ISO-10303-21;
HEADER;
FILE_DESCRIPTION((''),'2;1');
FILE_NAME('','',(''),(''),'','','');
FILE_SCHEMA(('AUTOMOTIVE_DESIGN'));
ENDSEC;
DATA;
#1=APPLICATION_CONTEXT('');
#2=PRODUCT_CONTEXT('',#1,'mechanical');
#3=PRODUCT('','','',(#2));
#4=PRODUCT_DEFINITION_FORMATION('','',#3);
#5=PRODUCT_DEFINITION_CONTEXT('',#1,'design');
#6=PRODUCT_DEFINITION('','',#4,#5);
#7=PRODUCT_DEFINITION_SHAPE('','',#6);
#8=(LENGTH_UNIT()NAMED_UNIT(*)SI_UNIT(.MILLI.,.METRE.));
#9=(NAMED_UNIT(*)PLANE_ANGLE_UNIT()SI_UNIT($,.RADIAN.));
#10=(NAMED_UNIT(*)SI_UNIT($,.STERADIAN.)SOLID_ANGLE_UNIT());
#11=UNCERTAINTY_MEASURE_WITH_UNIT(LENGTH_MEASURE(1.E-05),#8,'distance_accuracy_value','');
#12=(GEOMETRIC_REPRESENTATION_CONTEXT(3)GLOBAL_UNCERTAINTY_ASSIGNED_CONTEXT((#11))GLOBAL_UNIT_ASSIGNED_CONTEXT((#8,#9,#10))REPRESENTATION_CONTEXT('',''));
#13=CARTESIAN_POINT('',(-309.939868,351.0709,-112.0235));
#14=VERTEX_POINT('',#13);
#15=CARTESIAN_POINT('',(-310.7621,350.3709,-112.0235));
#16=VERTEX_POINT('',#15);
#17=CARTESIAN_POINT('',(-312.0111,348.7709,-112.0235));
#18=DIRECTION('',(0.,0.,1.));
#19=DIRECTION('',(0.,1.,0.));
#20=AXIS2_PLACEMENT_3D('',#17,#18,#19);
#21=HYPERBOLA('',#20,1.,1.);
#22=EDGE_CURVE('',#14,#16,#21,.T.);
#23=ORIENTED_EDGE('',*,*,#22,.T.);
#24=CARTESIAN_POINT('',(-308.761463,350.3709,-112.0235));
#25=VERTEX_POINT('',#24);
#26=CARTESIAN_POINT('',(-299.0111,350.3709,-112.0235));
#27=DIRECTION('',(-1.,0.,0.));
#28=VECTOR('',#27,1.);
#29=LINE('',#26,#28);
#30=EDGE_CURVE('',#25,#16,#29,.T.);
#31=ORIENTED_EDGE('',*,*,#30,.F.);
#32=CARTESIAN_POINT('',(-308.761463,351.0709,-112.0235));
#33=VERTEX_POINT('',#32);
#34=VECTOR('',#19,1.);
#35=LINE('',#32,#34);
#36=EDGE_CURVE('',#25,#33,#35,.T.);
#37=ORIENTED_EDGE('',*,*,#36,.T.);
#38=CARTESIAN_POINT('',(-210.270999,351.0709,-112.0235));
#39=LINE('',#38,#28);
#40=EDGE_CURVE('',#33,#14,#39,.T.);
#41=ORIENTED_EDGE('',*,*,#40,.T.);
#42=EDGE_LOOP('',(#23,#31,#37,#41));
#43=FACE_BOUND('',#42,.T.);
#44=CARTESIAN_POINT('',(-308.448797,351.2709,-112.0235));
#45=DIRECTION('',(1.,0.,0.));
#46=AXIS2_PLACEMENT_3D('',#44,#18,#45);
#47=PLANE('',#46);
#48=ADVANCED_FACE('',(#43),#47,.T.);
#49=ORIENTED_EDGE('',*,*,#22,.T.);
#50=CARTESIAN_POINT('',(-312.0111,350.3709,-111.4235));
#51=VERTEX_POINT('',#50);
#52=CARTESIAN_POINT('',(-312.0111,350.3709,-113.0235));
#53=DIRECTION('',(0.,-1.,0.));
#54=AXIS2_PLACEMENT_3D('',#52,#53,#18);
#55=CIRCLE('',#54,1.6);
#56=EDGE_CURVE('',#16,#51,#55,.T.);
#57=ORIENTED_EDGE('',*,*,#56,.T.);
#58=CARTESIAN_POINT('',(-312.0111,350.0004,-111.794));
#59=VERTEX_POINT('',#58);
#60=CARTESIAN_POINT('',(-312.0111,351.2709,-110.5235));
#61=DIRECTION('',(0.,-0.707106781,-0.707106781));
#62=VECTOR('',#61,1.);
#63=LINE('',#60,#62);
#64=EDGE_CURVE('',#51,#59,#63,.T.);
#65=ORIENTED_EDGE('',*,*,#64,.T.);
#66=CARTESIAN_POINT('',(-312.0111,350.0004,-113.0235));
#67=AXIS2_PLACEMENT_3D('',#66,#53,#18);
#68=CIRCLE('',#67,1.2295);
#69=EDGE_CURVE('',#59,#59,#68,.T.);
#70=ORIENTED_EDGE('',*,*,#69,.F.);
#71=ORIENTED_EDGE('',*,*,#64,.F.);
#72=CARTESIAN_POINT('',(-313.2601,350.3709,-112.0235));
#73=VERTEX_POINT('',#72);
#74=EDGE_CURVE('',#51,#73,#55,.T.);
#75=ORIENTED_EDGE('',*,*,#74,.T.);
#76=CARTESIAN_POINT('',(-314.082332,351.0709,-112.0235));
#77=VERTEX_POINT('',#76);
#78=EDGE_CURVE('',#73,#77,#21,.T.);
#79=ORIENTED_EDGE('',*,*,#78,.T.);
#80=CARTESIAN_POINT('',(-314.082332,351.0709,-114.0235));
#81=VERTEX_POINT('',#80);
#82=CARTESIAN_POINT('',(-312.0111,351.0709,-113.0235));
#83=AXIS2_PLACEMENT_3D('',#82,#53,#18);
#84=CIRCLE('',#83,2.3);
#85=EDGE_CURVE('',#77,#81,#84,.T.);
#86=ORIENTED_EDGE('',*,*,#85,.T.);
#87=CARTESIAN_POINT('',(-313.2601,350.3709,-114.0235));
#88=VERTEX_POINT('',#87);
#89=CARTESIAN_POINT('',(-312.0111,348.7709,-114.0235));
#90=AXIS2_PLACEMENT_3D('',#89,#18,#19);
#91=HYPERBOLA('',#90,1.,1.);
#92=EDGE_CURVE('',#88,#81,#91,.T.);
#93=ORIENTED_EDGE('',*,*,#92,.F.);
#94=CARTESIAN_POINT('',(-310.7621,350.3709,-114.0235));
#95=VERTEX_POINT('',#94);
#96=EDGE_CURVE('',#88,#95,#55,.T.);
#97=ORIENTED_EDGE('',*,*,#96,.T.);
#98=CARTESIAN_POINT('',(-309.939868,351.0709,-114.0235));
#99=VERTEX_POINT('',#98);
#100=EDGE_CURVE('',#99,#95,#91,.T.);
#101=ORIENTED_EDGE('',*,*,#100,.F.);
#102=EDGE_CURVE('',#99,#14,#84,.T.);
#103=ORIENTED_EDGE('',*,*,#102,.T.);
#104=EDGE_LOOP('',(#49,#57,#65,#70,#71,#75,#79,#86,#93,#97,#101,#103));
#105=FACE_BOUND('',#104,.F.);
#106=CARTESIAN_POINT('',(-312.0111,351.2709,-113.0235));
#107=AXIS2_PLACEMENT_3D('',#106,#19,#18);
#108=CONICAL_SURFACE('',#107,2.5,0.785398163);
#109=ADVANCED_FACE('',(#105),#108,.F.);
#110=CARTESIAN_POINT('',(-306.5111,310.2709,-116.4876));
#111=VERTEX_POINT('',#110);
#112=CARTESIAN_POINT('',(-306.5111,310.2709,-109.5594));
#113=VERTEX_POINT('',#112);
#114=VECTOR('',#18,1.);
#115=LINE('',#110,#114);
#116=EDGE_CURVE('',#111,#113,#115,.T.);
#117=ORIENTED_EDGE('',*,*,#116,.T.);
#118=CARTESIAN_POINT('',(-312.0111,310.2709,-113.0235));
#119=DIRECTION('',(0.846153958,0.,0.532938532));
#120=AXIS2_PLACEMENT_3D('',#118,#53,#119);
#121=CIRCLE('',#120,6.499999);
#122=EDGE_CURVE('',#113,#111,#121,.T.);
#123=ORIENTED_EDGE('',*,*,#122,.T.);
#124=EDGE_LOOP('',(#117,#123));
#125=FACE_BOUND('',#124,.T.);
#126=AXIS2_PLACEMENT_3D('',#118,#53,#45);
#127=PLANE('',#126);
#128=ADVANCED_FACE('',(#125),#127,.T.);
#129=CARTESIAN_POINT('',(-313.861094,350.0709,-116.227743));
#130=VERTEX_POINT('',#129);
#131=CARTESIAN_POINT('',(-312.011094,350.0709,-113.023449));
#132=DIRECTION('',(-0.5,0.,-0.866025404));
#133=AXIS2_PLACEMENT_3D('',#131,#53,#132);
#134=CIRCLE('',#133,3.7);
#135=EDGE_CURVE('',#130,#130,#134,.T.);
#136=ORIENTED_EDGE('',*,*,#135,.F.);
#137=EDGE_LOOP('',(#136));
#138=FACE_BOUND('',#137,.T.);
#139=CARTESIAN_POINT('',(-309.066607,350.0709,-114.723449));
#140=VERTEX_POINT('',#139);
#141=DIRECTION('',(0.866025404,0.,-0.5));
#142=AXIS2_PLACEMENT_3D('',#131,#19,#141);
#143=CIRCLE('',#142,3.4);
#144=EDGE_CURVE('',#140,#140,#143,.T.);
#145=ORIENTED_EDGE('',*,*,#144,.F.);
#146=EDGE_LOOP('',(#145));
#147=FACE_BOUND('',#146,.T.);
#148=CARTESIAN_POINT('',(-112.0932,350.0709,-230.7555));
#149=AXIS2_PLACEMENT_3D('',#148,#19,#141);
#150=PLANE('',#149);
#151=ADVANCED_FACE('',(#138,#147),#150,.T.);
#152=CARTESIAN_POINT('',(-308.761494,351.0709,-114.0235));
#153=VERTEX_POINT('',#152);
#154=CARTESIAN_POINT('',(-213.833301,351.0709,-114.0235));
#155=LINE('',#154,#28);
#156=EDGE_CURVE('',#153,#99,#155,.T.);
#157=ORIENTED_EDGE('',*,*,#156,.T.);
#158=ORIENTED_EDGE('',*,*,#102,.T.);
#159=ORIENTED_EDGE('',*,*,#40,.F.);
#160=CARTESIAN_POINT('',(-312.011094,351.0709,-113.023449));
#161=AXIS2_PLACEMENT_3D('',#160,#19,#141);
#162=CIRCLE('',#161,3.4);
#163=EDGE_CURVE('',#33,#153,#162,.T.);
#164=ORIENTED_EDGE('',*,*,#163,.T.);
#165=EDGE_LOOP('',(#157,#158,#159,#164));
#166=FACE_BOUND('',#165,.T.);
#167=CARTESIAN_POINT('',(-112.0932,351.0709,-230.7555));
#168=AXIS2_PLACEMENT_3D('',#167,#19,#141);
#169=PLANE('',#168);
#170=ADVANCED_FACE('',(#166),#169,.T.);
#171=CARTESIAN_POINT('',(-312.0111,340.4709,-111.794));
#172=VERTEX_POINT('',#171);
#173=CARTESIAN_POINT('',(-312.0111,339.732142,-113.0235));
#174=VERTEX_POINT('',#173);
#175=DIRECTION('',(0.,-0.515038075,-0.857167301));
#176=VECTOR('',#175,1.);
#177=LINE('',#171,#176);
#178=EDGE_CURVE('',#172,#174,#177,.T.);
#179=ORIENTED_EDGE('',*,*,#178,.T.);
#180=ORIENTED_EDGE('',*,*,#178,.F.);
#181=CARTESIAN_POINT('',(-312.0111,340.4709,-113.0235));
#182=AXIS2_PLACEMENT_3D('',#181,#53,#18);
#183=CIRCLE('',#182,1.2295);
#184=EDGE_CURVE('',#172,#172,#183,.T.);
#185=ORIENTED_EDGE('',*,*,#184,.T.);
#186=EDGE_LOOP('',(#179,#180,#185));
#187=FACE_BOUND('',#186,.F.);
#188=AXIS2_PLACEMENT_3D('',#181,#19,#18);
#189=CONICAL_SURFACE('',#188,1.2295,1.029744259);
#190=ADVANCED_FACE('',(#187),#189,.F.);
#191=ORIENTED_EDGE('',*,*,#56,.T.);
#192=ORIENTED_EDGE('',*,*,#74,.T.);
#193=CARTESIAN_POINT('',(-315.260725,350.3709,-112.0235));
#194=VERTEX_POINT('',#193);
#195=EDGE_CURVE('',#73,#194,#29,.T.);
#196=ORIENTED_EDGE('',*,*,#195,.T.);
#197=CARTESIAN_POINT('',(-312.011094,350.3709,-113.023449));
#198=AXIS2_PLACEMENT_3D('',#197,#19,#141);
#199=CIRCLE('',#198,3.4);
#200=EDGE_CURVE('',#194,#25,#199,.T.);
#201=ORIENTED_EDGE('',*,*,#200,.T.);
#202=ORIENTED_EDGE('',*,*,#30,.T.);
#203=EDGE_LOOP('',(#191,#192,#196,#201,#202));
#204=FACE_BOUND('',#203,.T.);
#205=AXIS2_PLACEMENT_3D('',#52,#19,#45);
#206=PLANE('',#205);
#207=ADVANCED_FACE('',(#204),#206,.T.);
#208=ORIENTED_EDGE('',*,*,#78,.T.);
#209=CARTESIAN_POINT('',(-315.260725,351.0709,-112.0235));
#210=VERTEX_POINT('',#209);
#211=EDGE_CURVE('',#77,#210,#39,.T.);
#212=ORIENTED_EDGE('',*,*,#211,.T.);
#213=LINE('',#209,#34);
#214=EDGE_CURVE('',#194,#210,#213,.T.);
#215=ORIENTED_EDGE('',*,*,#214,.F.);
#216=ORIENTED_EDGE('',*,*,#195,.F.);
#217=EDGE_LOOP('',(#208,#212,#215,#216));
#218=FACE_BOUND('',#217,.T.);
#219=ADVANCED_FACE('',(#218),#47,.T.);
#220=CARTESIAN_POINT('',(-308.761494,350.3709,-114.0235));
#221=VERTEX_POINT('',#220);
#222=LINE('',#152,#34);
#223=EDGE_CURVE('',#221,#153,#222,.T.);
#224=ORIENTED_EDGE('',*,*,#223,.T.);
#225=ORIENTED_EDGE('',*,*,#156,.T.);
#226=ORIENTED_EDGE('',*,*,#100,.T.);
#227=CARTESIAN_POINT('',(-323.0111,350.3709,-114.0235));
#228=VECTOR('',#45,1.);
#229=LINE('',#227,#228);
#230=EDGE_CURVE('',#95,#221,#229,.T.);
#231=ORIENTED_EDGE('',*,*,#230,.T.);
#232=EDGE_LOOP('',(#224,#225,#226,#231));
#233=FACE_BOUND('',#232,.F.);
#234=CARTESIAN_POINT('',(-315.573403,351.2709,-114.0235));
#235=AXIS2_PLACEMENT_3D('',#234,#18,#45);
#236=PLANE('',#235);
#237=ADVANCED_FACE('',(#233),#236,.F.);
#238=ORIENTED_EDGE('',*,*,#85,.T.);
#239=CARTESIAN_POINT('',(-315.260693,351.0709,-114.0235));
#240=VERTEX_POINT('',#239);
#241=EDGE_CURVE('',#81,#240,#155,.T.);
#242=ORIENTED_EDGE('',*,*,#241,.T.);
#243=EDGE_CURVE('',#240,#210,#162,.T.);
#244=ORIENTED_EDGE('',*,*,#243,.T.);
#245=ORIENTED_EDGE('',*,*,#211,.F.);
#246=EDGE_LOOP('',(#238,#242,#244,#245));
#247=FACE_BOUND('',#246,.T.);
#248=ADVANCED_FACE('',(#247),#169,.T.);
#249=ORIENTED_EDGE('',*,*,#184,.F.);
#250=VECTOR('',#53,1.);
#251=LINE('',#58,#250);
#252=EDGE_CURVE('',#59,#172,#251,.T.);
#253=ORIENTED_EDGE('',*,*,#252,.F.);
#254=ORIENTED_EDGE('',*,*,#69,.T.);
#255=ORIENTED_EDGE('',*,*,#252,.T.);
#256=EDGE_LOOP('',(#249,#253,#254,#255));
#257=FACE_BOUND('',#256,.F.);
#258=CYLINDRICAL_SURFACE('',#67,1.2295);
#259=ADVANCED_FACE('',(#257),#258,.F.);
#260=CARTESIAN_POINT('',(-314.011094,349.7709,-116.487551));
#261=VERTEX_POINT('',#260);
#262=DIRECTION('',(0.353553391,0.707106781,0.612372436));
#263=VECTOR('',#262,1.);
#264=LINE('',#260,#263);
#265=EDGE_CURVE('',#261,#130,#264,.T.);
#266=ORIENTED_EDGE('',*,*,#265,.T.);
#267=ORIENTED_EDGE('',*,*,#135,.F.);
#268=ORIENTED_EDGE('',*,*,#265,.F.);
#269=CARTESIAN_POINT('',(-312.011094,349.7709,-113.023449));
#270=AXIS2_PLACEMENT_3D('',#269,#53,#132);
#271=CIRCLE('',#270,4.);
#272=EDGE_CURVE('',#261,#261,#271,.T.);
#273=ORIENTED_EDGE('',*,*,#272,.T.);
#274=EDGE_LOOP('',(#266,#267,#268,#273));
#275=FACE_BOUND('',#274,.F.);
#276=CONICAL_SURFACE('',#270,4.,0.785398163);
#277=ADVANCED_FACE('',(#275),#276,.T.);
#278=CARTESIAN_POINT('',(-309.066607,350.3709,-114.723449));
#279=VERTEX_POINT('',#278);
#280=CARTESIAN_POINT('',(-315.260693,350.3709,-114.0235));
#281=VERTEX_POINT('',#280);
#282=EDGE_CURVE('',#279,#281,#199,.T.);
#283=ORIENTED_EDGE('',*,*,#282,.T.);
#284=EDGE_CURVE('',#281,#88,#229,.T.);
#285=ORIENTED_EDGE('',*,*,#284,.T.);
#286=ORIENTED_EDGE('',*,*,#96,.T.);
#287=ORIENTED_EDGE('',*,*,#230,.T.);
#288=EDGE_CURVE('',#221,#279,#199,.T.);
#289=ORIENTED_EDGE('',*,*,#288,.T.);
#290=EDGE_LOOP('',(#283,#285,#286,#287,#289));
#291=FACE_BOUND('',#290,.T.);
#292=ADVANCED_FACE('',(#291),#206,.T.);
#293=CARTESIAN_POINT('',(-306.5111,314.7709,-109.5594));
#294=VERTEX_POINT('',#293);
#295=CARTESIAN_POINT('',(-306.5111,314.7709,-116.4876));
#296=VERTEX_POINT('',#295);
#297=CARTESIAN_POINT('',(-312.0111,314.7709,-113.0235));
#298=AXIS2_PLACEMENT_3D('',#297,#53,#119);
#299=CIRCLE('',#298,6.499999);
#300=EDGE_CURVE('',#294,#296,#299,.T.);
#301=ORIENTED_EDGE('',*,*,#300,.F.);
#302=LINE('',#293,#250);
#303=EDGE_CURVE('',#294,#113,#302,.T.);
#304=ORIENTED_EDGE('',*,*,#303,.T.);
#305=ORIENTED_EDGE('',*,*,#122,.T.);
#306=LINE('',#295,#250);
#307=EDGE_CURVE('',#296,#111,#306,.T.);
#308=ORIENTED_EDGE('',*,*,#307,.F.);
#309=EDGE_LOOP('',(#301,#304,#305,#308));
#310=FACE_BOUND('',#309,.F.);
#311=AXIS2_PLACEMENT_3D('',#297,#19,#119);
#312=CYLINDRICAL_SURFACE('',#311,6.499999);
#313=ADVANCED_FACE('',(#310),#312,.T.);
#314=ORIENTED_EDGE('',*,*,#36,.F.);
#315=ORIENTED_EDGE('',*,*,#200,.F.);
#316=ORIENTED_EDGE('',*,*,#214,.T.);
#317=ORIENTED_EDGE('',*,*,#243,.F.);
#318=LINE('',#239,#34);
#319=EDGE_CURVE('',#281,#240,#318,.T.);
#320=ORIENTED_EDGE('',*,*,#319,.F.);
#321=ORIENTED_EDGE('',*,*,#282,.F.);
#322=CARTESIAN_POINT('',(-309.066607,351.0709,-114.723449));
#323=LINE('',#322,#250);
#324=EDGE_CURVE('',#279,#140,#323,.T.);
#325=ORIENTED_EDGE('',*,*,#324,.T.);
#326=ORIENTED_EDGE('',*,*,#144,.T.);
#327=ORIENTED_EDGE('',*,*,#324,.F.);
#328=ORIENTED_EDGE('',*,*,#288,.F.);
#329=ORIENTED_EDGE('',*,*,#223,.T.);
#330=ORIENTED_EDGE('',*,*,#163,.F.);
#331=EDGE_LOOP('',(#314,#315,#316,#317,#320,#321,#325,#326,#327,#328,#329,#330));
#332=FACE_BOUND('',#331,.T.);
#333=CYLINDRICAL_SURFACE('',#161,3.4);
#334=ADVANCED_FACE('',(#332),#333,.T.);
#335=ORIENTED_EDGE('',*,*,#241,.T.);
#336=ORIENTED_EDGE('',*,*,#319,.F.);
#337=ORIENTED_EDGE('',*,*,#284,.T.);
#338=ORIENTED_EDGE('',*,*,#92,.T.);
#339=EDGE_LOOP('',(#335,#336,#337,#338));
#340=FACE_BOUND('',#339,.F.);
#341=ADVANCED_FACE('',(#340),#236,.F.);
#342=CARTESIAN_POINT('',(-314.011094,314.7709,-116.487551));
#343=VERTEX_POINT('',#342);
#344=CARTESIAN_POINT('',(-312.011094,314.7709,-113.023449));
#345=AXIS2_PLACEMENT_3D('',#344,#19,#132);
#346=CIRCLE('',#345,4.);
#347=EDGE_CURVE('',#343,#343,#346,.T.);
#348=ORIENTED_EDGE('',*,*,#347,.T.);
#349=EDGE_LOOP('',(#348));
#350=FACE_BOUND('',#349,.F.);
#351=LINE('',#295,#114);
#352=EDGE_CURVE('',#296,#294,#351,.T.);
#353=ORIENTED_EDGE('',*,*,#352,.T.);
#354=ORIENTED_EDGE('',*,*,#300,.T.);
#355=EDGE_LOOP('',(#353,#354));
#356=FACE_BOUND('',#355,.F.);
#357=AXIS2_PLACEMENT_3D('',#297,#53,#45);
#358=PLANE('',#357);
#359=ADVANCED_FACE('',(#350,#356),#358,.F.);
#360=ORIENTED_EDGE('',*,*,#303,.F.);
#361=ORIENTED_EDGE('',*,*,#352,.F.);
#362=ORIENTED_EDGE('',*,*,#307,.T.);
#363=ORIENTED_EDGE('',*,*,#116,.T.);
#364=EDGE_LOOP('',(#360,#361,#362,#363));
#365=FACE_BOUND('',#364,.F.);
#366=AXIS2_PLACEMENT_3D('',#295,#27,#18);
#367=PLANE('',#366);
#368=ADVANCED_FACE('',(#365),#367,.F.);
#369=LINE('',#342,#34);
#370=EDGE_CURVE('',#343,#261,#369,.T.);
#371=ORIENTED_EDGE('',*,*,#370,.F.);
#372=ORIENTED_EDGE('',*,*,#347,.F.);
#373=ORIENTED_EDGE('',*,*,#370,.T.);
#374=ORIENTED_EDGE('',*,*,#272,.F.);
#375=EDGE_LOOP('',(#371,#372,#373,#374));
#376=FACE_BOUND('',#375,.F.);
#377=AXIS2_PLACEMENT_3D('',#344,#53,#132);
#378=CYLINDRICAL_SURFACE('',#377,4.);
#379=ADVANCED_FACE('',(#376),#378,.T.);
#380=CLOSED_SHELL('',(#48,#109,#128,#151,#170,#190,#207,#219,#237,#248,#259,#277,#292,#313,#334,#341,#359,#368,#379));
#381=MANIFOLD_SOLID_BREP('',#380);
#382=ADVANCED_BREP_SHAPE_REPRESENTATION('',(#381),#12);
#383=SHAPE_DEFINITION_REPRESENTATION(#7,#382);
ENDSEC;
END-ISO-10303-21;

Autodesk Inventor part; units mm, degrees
ref_plane "YZ Plane" through (0, 0, 0) normal (1, 0, 0) x (0, 1, 0)
ref_plane "XZ Plane" through (0, 0, 0) normal (0, 1, 0) x (-1, 0, 0)
ref_plane "XY Plane" through (0, 0, 0) normal (0, 0, 1) x (1, 0, 0)
ref_plane "Work Plane1" through (-112.0932, 314.7709, -230.7555) normal (0, 1, 0) x (-0.5, 0, -0.866)
sketch "Sketch1" plane through (-112.0932, 314.7709, -230.7555) normal (0, 1, 0) x (-0.5, 0, -0.866)
  circle A0 centre (-2, 232) radius 4
  point P0 (-255.8867, 18.3022)
  dimension "d0" = 8
extrude "Extrusion1" add sketch "Sketch1" along normal blind 36.5
sketch "Sketch2" plane through (-312.0111, 314.7709, -113.0235) normal (0, -1, 0) x (1, 0, 0)
  circle A0 centre (0, 0) radius 4 projected
  arc A1 (5.5, 3.4641) -> (5.5, -3.4641) centre (0, 0) ccw
  line L0 (5.5, -3.4641) -> (5.5, 3.4641)
  point P0 (312.0111, 113.0235)
  dimension "d3" = 13
  dimension "d29" = 5.5
extrude "Extrusion2" add sketch "Sketch2" along normal blind 4.5 contours A0 | L0 A1
thread "Thread1" size "M8x1.25" class "6g" standard "ANSI Metric M Profile" length 21
ref_plane "Work Plane2" through (-312.0111, 351.2709, -113.0235) normal (0, 1, 0) x (1, 0, 0)
sketch "Sketch4" plane through (-312.0111, 351.2709, -113.0235) normal (0, 1, 0) x (1, 0, 0)
  circle A0 centre (0, 0) radius 3.7 projected
  line L0 (-11, 1) -> (10, 1)
  line L1 (-11, -1) -> (13, -1)
  line L2 (-11, 1) -> (3, 13)
  line L3 (3, 13) -> (10, 1)
  line L4 (-11, -1) -> (8, -15)
  line L5 (8, -15) -> (13, -1)
  point P0 (312.0111, -113.0235)
  dimension "d16" = 1
  dimension "d17" = 1
extrude "Extrusion4" cut sketch "Sketch4" against normal blind 0.9 contours L0 A0 | A0 L0 L2 L3 | L1 L5 L4 A0 | A0 L1
sketch "Sketch5" plane through (-112.0932, 351.2709, -230.7555) normal (0, 1, 0) x (0.866, 0, -0.5)
  arc A0 (-229.415, -4.6472) -> (-228.415, -2.9151) centre (-232, -2) ccw projected
  point P0 (-18.3022, -255.8867)
hole "Hole1" at (-312.0111, 351.2709, -113.0235) direction (0, -1, 0) diameter 2.459 depth 10.8 tip angle 118 countersink diameter 5 countersink angle 90 thread size "M3x0.5" class "6H" standard "ISO Metric profile"
sketch "Sketch6" plane through (-112.0932, 351.2709, -230.7555) normal (0, 1, 0) x (0.866, 0, -0.5)
  arc A0 (-229.415, -4.6472) -> (-228.415, -2.9151) centre (-232, -2) ccw projected
  circle A1 centre (-232, -2) radius 10.2956
  point P0 (-18.3022, -255.8867)
extrude "Extrusion5" cut sketch "Sketch6" against normal blind 0.2
sketch "Sketch7" plane through (-112.0932, 351.0709, -230.7555) normal (0, 1, 0) x (0.866, 0, -0.5)
  arc A0 (-230.7063, -3.9016) -> (-229.7063, -2.1696) centre (-232, -2) ccw projected
  circle A1 centre (-232, -2) radius 3.4
  circle A2 centre (-232, -2) radius 1.2295 projected
  circle A3 centre (-232, -2) radius 5.5146
  point P0 (-18.3022, -255.8867)
  dimension "d30" = 6.8
extrude "Extrusion6" cut sketch "Sketch7" against normal blind 1 contours A3
chamfer "Chamfer2" distance 0.3 angle 45 1 edges at (-310.0111, 350.0709, -109.5594)
properties part number "BOLT" material "Stainless Steel"
